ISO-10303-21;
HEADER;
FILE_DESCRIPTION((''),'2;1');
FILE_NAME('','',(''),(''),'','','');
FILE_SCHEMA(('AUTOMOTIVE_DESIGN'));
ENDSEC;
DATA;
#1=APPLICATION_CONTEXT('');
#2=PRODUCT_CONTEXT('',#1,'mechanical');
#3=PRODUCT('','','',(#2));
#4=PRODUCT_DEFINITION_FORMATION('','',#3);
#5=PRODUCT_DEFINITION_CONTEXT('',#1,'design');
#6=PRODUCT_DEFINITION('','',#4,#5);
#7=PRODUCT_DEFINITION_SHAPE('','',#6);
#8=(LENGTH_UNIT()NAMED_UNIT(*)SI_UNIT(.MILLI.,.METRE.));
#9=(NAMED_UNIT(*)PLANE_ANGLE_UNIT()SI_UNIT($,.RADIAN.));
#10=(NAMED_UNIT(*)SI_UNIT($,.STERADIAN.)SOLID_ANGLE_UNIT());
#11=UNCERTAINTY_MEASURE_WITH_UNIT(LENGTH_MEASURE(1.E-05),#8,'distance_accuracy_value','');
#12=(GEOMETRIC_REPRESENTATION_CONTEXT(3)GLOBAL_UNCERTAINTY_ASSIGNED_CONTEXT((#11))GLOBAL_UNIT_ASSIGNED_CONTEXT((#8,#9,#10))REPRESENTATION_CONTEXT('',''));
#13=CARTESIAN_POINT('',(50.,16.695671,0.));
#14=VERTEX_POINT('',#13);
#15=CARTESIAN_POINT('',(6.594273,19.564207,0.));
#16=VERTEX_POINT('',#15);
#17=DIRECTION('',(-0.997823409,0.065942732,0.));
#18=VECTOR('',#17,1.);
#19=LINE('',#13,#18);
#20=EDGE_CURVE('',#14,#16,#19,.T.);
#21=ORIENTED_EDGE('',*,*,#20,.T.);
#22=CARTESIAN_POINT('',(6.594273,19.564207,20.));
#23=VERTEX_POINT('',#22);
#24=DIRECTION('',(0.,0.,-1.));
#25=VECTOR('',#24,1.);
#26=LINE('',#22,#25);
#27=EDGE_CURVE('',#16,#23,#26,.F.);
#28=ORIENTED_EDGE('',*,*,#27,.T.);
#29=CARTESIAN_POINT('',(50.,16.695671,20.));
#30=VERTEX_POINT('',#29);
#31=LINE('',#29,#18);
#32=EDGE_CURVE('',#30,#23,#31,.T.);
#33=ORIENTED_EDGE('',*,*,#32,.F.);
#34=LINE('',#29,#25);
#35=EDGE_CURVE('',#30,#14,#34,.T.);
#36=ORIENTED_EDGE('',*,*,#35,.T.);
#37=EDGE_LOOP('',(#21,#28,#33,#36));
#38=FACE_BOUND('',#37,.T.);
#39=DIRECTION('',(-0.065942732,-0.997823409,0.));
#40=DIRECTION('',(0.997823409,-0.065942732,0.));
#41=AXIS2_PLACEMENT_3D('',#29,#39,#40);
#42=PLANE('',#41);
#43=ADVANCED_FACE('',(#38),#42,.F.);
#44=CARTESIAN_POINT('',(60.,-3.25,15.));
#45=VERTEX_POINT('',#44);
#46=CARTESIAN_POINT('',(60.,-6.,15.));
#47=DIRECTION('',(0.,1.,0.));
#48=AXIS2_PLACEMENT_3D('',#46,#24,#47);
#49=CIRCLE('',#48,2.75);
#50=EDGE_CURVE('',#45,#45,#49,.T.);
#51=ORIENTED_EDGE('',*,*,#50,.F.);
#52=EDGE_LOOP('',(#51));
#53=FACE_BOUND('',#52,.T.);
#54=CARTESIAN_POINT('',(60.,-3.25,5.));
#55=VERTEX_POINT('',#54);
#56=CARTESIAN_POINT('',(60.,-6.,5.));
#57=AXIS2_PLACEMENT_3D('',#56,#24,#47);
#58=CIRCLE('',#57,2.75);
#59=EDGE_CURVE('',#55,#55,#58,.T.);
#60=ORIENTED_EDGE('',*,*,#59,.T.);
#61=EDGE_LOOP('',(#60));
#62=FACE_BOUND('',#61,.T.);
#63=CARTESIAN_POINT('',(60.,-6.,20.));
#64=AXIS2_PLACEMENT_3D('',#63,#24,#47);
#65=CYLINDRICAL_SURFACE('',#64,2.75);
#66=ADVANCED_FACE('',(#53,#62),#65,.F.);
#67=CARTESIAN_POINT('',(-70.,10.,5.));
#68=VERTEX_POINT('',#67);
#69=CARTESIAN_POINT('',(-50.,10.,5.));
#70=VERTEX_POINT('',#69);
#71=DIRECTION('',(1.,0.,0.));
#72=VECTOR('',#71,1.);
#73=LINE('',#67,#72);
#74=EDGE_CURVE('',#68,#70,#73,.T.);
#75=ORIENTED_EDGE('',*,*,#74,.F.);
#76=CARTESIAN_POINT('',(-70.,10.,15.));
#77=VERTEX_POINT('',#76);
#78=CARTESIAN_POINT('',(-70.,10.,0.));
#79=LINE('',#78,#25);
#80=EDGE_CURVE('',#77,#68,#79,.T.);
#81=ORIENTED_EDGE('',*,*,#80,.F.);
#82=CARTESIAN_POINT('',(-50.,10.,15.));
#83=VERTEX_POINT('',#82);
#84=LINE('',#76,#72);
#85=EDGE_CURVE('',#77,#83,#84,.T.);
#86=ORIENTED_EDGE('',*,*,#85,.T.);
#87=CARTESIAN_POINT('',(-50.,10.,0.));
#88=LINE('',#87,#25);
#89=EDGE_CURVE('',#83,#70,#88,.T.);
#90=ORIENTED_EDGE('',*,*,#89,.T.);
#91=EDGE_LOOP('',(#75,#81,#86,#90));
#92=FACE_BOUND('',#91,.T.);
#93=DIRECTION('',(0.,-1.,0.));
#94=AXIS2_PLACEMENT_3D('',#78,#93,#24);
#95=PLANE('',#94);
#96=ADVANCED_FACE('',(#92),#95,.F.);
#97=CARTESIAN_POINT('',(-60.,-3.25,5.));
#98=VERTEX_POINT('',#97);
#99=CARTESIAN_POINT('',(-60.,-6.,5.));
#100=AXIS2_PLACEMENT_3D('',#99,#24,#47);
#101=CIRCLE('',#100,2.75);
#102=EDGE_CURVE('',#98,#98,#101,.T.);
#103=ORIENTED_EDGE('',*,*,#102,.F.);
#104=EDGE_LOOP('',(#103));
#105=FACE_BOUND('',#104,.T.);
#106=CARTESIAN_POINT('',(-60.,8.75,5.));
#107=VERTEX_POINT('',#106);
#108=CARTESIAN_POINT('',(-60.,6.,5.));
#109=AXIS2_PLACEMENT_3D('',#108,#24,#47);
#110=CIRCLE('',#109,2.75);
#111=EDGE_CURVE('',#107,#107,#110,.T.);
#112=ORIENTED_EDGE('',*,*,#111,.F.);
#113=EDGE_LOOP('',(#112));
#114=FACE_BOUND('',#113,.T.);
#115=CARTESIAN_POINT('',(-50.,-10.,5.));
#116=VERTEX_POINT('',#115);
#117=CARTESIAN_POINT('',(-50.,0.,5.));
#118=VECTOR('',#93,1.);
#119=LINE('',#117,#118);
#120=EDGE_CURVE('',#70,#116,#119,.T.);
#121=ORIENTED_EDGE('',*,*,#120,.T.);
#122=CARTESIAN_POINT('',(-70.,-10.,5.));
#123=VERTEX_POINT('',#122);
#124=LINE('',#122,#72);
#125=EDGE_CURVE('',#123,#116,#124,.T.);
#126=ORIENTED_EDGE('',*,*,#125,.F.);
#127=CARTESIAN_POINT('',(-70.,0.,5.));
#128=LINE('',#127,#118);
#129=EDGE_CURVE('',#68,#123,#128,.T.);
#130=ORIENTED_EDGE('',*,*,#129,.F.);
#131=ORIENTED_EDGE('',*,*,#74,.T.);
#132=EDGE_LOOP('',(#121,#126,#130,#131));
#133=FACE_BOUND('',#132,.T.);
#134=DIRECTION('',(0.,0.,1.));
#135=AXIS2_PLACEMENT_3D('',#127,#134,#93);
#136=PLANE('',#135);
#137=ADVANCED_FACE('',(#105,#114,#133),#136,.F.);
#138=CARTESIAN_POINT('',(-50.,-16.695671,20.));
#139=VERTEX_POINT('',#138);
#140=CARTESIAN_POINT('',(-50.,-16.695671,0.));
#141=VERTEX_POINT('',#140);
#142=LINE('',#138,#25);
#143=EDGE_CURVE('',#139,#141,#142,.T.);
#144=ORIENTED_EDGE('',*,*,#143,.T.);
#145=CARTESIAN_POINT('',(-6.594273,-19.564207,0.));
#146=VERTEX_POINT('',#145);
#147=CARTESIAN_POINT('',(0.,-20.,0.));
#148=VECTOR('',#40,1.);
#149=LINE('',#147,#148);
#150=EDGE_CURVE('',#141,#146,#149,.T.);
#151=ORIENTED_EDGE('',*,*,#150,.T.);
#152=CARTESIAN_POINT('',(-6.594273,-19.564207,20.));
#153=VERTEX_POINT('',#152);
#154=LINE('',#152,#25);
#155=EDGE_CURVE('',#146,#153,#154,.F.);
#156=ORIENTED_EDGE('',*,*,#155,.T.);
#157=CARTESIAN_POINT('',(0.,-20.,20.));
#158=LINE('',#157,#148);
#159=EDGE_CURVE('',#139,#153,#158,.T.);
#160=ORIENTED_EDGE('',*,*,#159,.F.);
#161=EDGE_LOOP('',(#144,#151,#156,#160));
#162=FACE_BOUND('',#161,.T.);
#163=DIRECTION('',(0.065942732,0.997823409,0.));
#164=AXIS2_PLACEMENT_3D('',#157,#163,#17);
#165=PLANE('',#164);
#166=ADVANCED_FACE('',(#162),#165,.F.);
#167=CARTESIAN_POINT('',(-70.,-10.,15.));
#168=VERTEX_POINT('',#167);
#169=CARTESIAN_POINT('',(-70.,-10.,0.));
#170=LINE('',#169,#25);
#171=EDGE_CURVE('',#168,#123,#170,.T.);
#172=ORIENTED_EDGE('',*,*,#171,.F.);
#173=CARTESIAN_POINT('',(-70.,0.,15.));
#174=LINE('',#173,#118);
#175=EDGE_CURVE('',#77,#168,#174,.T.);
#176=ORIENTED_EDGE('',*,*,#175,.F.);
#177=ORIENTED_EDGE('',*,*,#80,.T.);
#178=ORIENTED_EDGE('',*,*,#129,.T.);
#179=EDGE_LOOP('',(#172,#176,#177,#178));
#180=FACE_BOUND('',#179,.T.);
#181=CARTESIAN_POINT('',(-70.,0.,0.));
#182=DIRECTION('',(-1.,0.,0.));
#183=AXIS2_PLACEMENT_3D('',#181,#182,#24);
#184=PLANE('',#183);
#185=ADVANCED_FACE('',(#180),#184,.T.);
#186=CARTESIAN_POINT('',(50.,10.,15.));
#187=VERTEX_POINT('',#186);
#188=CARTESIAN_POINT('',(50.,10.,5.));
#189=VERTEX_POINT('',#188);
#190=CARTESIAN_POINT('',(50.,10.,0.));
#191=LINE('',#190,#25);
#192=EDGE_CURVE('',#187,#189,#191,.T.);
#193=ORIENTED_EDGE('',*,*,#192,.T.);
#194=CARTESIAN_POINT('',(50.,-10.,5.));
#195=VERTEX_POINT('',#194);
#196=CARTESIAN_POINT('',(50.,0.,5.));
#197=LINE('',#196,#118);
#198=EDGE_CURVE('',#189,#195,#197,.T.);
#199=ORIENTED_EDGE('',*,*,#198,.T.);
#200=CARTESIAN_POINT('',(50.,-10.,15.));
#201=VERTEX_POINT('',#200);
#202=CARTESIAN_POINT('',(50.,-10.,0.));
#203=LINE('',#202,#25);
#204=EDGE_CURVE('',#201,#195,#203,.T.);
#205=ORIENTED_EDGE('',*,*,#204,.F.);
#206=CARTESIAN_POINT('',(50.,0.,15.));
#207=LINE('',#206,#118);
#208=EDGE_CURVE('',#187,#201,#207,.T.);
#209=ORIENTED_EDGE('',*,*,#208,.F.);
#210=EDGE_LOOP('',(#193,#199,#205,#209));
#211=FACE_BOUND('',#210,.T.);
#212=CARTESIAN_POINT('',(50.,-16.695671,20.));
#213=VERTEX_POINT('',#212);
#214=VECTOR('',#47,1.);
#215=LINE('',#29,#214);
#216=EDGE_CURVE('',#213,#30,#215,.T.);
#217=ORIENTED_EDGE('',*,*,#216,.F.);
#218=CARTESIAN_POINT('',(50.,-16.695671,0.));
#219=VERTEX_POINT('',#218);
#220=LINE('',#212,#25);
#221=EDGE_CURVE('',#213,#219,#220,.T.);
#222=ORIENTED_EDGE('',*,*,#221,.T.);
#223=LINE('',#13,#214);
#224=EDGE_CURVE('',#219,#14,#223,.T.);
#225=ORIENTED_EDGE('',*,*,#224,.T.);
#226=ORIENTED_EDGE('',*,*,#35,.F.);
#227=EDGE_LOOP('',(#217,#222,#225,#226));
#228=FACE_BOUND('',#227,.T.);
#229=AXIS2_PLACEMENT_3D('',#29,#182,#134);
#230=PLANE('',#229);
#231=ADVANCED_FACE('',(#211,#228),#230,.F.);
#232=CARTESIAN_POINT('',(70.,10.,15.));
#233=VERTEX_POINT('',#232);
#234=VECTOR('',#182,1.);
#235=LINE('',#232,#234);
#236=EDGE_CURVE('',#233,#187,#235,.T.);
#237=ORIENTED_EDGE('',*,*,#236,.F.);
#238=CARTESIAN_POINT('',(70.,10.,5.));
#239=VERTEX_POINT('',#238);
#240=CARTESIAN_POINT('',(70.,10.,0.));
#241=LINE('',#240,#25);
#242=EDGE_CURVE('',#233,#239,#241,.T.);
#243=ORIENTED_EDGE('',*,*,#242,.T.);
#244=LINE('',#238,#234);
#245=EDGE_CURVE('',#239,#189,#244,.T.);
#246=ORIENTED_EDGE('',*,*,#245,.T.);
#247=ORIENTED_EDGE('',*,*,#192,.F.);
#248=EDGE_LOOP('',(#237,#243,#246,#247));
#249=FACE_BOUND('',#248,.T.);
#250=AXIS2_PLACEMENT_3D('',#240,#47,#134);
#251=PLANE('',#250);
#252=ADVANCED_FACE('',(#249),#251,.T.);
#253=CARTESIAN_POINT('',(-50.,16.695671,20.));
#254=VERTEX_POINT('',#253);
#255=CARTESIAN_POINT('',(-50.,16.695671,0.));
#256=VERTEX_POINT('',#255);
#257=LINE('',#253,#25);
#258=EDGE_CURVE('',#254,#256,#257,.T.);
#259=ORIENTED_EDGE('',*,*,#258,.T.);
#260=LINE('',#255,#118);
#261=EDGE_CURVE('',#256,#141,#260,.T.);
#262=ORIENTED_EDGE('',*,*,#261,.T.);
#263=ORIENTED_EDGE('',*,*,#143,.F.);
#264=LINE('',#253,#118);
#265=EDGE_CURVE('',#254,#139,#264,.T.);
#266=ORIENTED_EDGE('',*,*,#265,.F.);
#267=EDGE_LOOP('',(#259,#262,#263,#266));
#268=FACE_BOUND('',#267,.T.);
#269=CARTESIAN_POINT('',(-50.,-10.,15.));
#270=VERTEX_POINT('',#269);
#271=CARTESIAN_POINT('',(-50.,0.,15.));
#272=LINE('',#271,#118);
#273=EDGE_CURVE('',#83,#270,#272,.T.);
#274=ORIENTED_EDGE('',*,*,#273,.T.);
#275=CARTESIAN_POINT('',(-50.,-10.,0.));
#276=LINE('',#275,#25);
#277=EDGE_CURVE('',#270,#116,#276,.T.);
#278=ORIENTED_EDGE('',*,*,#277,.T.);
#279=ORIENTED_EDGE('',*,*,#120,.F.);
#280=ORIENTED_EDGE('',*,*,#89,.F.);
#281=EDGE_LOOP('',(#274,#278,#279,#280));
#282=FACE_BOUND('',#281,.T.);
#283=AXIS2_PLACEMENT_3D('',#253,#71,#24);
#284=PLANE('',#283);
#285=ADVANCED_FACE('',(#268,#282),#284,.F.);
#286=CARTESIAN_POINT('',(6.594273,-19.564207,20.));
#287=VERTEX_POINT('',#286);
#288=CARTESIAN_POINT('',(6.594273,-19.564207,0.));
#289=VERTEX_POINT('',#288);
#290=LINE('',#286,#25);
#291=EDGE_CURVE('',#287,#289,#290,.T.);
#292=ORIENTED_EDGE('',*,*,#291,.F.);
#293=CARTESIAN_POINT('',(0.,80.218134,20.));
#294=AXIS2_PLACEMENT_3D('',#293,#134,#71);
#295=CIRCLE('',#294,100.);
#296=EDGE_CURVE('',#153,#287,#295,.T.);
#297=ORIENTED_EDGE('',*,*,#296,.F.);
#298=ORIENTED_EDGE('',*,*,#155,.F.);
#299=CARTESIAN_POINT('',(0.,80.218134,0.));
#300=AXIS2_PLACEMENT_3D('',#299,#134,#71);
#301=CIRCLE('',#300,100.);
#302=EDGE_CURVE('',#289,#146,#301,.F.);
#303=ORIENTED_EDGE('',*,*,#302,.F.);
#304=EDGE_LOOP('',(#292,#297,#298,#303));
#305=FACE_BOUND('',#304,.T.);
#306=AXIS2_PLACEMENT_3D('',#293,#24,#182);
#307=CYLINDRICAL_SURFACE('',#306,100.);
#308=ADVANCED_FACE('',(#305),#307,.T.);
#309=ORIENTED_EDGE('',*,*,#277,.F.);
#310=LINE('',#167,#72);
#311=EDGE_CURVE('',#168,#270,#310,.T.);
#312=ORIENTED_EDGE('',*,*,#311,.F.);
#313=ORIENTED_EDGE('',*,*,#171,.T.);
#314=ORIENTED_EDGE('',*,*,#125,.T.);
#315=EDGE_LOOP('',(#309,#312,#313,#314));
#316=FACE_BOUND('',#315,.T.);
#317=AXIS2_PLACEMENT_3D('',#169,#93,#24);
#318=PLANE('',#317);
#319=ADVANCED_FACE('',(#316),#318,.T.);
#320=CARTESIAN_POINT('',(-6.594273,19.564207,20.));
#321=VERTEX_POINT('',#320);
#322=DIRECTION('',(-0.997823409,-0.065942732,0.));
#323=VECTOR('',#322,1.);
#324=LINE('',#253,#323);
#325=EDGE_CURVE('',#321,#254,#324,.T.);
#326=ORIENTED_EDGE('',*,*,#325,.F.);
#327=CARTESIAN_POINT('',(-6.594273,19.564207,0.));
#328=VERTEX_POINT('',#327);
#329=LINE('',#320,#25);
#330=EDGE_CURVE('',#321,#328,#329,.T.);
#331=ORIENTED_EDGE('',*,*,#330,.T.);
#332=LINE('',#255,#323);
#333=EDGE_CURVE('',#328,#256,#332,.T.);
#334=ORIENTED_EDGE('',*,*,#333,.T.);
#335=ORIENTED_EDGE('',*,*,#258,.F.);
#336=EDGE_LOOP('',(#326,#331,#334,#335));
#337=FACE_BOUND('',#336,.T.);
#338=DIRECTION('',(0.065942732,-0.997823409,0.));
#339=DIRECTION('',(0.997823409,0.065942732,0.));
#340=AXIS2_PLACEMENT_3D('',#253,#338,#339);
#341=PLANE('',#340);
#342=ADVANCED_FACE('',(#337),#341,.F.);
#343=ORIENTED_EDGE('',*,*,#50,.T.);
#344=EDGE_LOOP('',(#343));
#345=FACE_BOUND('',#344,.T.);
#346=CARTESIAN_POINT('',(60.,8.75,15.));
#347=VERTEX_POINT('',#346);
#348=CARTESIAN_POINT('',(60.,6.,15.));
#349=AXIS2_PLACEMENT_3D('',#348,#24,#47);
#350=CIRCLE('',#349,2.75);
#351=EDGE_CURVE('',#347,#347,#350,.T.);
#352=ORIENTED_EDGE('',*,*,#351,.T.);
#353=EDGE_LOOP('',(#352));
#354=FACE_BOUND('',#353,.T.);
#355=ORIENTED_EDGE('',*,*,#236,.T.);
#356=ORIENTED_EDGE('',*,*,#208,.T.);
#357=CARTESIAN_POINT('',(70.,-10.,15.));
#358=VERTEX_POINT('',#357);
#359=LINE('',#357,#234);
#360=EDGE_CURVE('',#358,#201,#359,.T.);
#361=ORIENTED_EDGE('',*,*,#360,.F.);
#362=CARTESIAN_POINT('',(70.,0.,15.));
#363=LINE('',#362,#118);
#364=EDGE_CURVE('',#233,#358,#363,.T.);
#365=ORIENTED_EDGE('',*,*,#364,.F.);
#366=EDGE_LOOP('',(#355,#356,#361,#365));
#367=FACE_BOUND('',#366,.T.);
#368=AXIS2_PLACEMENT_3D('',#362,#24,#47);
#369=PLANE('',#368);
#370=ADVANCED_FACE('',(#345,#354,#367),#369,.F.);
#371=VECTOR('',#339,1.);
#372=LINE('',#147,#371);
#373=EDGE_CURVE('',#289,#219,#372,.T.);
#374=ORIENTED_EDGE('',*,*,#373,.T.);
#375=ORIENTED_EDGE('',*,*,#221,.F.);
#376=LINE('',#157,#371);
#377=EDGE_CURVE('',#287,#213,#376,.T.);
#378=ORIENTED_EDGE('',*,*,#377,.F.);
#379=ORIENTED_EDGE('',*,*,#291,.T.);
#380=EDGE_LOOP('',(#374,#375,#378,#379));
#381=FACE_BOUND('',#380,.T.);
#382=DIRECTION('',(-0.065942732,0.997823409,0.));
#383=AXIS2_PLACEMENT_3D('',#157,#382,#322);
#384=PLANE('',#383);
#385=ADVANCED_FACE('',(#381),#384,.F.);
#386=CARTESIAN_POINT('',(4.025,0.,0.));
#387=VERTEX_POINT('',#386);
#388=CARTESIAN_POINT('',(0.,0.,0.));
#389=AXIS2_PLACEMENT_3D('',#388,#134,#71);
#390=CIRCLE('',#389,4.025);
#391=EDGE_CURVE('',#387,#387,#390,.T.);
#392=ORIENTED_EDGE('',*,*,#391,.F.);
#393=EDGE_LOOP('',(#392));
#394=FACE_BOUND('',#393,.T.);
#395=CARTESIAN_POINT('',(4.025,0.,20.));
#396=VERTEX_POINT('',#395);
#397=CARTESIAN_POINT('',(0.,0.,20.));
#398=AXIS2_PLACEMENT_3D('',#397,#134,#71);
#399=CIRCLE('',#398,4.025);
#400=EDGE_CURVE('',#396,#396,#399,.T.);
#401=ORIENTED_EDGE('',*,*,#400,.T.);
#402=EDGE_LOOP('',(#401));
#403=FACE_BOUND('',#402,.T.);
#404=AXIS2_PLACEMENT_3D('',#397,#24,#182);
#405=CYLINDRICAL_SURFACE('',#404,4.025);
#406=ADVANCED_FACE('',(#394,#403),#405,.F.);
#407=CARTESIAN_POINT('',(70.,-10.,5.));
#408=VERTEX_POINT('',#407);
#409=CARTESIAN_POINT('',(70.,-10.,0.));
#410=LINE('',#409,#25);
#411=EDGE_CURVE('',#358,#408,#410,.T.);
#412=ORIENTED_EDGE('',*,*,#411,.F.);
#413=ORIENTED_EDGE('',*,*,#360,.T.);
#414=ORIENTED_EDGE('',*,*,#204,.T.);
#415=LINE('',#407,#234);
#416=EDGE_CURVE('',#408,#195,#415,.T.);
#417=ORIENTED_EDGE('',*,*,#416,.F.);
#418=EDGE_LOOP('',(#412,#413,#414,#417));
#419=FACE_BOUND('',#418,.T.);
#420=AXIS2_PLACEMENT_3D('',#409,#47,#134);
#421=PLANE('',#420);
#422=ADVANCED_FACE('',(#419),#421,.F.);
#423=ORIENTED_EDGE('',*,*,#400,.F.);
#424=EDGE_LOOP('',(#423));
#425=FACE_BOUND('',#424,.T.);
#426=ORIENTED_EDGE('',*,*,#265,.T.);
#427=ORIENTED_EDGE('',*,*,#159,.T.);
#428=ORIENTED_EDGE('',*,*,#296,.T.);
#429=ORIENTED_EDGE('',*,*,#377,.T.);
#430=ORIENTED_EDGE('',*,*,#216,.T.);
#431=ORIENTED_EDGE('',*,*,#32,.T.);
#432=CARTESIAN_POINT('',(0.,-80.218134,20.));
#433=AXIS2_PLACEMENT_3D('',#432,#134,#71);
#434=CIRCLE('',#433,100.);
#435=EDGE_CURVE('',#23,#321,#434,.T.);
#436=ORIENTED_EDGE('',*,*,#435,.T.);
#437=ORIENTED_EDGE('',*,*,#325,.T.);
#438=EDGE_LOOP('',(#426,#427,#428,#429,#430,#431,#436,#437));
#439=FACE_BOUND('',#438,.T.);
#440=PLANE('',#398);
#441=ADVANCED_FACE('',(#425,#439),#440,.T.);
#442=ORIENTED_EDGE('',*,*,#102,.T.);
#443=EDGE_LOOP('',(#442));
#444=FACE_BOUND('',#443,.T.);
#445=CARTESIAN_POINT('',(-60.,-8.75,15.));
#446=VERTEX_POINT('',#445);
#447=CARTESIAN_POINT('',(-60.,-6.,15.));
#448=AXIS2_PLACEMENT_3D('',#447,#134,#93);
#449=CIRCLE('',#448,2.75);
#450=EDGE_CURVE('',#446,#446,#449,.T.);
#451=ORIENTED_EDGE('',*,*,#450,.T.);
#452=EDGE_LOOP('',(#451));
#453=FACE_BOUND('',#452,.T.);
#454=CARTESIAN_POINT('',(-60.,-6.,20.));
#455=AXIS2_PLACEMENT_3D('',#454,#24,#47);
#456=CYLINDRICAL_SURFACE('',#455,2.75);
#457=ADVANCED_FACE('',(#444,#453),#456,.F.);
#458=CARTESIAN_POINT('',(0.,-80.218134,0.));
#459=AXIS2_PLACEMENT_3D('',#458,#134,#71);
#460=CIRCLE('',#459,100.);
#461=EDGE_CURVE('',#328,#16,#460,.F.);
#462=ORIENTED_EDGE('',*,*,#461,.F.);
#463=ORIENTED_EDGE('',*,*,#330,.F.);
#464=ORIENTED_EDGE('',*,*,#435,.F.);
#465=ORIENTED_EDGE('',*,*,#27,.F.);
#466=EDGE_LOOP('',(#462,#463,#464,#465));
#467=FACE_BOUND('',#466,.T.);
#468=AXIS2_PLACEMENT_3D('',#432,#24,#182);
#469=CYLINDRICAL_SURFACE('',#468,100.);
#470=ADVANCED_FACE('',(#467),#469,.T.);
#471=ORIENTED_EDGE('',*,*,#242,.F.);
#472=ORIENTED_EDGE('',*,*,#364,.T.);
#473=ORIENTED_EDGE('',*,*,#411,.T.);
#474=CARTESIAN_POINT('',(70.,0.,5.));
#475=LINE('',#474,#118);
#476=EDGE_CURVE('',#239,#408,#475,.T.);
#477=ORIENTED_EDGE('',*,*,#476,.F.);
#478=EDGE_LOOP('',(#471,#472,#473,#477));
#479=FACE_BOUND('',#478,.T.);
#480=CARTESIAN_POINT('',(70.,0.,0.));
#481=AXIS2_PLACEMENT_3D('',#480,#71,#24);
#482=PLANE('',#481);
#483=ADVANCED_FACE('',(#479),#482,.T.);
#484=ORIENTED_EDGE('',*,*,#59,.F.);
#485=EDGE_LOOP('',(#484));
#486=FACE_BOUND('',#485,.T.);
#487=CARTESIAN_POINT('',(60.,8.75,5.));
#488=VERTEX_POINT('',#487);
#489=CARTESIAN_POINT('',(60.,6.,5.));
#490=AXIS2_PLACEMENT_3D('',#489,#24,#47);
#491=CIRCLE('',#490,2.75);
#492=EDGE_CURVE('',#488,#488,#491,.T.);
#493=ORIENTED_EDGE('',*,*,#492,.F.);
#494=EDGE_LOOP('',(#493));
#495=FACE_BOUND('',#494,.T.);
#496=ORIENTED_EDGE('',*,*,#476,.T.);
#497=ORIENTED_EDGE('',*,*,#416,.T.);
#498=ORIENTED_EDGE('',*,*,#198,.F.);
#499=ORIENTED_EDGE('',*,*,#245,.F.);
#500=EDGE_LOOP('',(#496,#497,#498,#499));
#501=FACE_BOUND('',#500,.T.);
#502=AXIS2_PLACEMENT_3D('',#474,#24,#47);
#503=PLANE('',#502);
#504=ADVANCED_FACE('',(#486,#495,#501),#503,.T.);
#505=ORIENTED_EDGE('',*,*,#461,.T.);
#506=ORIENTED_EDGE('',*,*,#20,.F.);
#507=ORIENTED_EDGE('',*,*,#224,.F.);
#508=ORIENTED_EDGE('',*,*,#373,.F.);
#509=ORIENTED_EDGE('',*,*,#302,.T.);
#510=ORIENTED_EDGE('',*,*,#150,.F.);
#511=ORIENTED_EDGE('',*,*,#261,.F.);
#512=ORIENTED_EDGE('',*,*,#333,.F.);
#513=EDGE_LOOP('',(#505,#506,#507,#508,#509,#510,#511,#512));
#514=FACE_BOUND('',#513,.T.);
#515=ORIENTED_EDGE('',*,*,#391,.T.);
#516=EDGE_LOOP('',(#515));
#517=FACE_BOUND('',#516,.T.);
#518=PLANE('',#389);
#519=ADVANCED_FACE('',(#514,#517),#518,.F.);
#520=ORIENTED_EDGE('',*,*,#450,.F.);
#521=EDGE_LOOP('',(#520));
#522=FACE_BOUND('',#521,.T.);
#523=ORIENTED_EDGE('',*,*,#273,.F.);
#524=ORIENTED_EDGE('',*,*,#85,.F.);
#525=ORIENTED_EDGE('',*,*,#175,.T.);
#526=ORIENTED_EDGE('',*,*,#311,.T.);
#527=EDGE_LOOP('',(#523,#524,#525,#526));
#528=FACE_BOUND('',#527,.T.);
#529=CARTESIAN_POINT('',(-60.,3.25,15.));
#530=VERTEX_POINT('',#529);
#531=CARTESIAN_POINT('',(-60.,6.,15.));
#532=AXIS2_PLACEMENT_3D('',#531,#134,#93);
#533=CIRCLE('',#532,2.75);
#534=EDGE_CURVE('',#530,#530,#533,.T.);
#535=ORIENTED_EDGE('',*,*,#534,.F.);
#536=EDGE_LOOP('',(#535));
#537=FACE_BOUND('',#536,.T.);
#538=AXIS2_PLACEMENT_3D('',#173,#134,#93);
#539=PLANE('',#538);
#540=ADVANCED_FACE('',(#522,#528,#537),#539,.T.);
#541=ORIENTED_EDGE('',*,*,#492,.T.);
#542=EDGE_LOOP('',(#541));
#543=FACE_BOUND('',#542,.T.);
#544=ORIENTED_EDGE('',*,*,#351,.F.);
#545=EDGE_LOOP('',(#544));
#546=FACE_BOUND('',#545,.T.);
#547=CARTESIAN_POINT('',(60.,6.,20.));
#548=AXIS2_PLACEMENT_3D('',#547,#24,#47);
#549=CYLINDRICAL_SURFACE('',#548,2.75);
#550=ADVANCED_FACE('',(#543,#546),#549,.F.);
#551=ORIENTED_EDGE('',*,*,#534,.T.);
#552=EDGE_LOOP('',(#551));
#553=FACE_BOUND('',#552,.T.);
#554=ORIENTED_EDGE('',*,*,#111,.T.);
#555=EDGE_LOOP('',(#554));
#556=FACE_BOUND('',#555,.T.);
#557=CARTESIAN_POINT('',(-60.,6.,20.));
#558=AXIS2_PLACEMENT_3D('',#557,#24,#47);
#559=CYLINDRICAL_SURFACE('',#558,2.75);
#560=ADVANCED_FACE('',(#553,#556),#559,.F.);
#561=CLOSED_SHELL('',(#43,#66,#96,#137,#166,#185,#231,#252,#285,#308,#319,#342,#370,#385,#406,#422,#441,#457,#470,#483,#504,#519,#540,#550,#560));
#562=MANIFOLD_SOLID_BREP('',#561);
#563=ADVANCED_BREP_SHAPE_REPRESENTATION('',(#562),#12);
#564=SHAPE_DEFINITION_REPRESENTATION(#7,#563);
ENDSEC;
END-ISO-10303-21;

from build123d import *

# Parameters (mm, degrees)
SKETCH1_R           = 4.025
BOSS_EXTRUDE1_DEPTH = 20
FILLET1_R           = 100
SKETCH2_W           = 10
SKETCH2_H           = 20
BOSS_EXTRUDE2_DEPTH = 20
SKETCH3_R           = 2.75
CUT_EXTRUDE1_DEPTH  = 16


with BuildPart() as part:
    # Sketch1 → Boss-Extrude1 (new body)
    with BuildSketch(Plane.XY):
        Polygon((50, 16.695671227), (50, -16.695671227), (0, -20), (-50, -16.695671227), (-50, 16.695671227), (0, 20), align=None)
        Circle(SKETCH1_R, mode=Mode.SUBTRACT)
    extrude(amount=BOSS_EXTRUDE1_DEPTH)

    # Fillet1
    fillet1_edges = [part.edges().sort_by_distance(p)[0] for p in [
        (0, -20, 10),
        (0, 20, 10),
    ]]
    fillet(fillet1_edges, radius=FILLET1_R)

    # Sketch2 → Boss-Extrude2 (add)
    with BuildSketch(Plane(origin=(50, 0, 0), x_dir=(0, 0, -1), z_dir=(1, 0, 0))):
        with Locations((-10, 0)):
            Rectangle(SKETCH2_W, SKETCH2_H)
    boss_extrude2 = extrude(amount=BOSS_EXTRUDE2_DEPTH)

    # Mirror1: Boss-Extrude2 across plane
    add(boss_extrude2.mirror(Plane(origin=(0, 0, 0), x_dir=(0, 0, 1), z_dir=(1, 0, 0))))

    # Sketch3 → Cut-Extrude1 (cut, through all)
    with BuildSketch(Plane(origin=(0, 0, 5), x_dir=(-1, 0, 0), z_dir=(0, 0, -1))):
        with Locations((60, -6)):
            Circle(SKETCH3_R)
        with Locations((60, 6)):
            Circle(SKETCH3_R)
        with Locations((-60, -6)):
            Circle(SKETCH3_R)
        with Locations((-60, 6)):
            Circle(SKETCH3_R)
    extrude(amount=-CUT_EXTRUDE1_DEPTH, mode=Mode.SUBTRACT)


solid = part.part
